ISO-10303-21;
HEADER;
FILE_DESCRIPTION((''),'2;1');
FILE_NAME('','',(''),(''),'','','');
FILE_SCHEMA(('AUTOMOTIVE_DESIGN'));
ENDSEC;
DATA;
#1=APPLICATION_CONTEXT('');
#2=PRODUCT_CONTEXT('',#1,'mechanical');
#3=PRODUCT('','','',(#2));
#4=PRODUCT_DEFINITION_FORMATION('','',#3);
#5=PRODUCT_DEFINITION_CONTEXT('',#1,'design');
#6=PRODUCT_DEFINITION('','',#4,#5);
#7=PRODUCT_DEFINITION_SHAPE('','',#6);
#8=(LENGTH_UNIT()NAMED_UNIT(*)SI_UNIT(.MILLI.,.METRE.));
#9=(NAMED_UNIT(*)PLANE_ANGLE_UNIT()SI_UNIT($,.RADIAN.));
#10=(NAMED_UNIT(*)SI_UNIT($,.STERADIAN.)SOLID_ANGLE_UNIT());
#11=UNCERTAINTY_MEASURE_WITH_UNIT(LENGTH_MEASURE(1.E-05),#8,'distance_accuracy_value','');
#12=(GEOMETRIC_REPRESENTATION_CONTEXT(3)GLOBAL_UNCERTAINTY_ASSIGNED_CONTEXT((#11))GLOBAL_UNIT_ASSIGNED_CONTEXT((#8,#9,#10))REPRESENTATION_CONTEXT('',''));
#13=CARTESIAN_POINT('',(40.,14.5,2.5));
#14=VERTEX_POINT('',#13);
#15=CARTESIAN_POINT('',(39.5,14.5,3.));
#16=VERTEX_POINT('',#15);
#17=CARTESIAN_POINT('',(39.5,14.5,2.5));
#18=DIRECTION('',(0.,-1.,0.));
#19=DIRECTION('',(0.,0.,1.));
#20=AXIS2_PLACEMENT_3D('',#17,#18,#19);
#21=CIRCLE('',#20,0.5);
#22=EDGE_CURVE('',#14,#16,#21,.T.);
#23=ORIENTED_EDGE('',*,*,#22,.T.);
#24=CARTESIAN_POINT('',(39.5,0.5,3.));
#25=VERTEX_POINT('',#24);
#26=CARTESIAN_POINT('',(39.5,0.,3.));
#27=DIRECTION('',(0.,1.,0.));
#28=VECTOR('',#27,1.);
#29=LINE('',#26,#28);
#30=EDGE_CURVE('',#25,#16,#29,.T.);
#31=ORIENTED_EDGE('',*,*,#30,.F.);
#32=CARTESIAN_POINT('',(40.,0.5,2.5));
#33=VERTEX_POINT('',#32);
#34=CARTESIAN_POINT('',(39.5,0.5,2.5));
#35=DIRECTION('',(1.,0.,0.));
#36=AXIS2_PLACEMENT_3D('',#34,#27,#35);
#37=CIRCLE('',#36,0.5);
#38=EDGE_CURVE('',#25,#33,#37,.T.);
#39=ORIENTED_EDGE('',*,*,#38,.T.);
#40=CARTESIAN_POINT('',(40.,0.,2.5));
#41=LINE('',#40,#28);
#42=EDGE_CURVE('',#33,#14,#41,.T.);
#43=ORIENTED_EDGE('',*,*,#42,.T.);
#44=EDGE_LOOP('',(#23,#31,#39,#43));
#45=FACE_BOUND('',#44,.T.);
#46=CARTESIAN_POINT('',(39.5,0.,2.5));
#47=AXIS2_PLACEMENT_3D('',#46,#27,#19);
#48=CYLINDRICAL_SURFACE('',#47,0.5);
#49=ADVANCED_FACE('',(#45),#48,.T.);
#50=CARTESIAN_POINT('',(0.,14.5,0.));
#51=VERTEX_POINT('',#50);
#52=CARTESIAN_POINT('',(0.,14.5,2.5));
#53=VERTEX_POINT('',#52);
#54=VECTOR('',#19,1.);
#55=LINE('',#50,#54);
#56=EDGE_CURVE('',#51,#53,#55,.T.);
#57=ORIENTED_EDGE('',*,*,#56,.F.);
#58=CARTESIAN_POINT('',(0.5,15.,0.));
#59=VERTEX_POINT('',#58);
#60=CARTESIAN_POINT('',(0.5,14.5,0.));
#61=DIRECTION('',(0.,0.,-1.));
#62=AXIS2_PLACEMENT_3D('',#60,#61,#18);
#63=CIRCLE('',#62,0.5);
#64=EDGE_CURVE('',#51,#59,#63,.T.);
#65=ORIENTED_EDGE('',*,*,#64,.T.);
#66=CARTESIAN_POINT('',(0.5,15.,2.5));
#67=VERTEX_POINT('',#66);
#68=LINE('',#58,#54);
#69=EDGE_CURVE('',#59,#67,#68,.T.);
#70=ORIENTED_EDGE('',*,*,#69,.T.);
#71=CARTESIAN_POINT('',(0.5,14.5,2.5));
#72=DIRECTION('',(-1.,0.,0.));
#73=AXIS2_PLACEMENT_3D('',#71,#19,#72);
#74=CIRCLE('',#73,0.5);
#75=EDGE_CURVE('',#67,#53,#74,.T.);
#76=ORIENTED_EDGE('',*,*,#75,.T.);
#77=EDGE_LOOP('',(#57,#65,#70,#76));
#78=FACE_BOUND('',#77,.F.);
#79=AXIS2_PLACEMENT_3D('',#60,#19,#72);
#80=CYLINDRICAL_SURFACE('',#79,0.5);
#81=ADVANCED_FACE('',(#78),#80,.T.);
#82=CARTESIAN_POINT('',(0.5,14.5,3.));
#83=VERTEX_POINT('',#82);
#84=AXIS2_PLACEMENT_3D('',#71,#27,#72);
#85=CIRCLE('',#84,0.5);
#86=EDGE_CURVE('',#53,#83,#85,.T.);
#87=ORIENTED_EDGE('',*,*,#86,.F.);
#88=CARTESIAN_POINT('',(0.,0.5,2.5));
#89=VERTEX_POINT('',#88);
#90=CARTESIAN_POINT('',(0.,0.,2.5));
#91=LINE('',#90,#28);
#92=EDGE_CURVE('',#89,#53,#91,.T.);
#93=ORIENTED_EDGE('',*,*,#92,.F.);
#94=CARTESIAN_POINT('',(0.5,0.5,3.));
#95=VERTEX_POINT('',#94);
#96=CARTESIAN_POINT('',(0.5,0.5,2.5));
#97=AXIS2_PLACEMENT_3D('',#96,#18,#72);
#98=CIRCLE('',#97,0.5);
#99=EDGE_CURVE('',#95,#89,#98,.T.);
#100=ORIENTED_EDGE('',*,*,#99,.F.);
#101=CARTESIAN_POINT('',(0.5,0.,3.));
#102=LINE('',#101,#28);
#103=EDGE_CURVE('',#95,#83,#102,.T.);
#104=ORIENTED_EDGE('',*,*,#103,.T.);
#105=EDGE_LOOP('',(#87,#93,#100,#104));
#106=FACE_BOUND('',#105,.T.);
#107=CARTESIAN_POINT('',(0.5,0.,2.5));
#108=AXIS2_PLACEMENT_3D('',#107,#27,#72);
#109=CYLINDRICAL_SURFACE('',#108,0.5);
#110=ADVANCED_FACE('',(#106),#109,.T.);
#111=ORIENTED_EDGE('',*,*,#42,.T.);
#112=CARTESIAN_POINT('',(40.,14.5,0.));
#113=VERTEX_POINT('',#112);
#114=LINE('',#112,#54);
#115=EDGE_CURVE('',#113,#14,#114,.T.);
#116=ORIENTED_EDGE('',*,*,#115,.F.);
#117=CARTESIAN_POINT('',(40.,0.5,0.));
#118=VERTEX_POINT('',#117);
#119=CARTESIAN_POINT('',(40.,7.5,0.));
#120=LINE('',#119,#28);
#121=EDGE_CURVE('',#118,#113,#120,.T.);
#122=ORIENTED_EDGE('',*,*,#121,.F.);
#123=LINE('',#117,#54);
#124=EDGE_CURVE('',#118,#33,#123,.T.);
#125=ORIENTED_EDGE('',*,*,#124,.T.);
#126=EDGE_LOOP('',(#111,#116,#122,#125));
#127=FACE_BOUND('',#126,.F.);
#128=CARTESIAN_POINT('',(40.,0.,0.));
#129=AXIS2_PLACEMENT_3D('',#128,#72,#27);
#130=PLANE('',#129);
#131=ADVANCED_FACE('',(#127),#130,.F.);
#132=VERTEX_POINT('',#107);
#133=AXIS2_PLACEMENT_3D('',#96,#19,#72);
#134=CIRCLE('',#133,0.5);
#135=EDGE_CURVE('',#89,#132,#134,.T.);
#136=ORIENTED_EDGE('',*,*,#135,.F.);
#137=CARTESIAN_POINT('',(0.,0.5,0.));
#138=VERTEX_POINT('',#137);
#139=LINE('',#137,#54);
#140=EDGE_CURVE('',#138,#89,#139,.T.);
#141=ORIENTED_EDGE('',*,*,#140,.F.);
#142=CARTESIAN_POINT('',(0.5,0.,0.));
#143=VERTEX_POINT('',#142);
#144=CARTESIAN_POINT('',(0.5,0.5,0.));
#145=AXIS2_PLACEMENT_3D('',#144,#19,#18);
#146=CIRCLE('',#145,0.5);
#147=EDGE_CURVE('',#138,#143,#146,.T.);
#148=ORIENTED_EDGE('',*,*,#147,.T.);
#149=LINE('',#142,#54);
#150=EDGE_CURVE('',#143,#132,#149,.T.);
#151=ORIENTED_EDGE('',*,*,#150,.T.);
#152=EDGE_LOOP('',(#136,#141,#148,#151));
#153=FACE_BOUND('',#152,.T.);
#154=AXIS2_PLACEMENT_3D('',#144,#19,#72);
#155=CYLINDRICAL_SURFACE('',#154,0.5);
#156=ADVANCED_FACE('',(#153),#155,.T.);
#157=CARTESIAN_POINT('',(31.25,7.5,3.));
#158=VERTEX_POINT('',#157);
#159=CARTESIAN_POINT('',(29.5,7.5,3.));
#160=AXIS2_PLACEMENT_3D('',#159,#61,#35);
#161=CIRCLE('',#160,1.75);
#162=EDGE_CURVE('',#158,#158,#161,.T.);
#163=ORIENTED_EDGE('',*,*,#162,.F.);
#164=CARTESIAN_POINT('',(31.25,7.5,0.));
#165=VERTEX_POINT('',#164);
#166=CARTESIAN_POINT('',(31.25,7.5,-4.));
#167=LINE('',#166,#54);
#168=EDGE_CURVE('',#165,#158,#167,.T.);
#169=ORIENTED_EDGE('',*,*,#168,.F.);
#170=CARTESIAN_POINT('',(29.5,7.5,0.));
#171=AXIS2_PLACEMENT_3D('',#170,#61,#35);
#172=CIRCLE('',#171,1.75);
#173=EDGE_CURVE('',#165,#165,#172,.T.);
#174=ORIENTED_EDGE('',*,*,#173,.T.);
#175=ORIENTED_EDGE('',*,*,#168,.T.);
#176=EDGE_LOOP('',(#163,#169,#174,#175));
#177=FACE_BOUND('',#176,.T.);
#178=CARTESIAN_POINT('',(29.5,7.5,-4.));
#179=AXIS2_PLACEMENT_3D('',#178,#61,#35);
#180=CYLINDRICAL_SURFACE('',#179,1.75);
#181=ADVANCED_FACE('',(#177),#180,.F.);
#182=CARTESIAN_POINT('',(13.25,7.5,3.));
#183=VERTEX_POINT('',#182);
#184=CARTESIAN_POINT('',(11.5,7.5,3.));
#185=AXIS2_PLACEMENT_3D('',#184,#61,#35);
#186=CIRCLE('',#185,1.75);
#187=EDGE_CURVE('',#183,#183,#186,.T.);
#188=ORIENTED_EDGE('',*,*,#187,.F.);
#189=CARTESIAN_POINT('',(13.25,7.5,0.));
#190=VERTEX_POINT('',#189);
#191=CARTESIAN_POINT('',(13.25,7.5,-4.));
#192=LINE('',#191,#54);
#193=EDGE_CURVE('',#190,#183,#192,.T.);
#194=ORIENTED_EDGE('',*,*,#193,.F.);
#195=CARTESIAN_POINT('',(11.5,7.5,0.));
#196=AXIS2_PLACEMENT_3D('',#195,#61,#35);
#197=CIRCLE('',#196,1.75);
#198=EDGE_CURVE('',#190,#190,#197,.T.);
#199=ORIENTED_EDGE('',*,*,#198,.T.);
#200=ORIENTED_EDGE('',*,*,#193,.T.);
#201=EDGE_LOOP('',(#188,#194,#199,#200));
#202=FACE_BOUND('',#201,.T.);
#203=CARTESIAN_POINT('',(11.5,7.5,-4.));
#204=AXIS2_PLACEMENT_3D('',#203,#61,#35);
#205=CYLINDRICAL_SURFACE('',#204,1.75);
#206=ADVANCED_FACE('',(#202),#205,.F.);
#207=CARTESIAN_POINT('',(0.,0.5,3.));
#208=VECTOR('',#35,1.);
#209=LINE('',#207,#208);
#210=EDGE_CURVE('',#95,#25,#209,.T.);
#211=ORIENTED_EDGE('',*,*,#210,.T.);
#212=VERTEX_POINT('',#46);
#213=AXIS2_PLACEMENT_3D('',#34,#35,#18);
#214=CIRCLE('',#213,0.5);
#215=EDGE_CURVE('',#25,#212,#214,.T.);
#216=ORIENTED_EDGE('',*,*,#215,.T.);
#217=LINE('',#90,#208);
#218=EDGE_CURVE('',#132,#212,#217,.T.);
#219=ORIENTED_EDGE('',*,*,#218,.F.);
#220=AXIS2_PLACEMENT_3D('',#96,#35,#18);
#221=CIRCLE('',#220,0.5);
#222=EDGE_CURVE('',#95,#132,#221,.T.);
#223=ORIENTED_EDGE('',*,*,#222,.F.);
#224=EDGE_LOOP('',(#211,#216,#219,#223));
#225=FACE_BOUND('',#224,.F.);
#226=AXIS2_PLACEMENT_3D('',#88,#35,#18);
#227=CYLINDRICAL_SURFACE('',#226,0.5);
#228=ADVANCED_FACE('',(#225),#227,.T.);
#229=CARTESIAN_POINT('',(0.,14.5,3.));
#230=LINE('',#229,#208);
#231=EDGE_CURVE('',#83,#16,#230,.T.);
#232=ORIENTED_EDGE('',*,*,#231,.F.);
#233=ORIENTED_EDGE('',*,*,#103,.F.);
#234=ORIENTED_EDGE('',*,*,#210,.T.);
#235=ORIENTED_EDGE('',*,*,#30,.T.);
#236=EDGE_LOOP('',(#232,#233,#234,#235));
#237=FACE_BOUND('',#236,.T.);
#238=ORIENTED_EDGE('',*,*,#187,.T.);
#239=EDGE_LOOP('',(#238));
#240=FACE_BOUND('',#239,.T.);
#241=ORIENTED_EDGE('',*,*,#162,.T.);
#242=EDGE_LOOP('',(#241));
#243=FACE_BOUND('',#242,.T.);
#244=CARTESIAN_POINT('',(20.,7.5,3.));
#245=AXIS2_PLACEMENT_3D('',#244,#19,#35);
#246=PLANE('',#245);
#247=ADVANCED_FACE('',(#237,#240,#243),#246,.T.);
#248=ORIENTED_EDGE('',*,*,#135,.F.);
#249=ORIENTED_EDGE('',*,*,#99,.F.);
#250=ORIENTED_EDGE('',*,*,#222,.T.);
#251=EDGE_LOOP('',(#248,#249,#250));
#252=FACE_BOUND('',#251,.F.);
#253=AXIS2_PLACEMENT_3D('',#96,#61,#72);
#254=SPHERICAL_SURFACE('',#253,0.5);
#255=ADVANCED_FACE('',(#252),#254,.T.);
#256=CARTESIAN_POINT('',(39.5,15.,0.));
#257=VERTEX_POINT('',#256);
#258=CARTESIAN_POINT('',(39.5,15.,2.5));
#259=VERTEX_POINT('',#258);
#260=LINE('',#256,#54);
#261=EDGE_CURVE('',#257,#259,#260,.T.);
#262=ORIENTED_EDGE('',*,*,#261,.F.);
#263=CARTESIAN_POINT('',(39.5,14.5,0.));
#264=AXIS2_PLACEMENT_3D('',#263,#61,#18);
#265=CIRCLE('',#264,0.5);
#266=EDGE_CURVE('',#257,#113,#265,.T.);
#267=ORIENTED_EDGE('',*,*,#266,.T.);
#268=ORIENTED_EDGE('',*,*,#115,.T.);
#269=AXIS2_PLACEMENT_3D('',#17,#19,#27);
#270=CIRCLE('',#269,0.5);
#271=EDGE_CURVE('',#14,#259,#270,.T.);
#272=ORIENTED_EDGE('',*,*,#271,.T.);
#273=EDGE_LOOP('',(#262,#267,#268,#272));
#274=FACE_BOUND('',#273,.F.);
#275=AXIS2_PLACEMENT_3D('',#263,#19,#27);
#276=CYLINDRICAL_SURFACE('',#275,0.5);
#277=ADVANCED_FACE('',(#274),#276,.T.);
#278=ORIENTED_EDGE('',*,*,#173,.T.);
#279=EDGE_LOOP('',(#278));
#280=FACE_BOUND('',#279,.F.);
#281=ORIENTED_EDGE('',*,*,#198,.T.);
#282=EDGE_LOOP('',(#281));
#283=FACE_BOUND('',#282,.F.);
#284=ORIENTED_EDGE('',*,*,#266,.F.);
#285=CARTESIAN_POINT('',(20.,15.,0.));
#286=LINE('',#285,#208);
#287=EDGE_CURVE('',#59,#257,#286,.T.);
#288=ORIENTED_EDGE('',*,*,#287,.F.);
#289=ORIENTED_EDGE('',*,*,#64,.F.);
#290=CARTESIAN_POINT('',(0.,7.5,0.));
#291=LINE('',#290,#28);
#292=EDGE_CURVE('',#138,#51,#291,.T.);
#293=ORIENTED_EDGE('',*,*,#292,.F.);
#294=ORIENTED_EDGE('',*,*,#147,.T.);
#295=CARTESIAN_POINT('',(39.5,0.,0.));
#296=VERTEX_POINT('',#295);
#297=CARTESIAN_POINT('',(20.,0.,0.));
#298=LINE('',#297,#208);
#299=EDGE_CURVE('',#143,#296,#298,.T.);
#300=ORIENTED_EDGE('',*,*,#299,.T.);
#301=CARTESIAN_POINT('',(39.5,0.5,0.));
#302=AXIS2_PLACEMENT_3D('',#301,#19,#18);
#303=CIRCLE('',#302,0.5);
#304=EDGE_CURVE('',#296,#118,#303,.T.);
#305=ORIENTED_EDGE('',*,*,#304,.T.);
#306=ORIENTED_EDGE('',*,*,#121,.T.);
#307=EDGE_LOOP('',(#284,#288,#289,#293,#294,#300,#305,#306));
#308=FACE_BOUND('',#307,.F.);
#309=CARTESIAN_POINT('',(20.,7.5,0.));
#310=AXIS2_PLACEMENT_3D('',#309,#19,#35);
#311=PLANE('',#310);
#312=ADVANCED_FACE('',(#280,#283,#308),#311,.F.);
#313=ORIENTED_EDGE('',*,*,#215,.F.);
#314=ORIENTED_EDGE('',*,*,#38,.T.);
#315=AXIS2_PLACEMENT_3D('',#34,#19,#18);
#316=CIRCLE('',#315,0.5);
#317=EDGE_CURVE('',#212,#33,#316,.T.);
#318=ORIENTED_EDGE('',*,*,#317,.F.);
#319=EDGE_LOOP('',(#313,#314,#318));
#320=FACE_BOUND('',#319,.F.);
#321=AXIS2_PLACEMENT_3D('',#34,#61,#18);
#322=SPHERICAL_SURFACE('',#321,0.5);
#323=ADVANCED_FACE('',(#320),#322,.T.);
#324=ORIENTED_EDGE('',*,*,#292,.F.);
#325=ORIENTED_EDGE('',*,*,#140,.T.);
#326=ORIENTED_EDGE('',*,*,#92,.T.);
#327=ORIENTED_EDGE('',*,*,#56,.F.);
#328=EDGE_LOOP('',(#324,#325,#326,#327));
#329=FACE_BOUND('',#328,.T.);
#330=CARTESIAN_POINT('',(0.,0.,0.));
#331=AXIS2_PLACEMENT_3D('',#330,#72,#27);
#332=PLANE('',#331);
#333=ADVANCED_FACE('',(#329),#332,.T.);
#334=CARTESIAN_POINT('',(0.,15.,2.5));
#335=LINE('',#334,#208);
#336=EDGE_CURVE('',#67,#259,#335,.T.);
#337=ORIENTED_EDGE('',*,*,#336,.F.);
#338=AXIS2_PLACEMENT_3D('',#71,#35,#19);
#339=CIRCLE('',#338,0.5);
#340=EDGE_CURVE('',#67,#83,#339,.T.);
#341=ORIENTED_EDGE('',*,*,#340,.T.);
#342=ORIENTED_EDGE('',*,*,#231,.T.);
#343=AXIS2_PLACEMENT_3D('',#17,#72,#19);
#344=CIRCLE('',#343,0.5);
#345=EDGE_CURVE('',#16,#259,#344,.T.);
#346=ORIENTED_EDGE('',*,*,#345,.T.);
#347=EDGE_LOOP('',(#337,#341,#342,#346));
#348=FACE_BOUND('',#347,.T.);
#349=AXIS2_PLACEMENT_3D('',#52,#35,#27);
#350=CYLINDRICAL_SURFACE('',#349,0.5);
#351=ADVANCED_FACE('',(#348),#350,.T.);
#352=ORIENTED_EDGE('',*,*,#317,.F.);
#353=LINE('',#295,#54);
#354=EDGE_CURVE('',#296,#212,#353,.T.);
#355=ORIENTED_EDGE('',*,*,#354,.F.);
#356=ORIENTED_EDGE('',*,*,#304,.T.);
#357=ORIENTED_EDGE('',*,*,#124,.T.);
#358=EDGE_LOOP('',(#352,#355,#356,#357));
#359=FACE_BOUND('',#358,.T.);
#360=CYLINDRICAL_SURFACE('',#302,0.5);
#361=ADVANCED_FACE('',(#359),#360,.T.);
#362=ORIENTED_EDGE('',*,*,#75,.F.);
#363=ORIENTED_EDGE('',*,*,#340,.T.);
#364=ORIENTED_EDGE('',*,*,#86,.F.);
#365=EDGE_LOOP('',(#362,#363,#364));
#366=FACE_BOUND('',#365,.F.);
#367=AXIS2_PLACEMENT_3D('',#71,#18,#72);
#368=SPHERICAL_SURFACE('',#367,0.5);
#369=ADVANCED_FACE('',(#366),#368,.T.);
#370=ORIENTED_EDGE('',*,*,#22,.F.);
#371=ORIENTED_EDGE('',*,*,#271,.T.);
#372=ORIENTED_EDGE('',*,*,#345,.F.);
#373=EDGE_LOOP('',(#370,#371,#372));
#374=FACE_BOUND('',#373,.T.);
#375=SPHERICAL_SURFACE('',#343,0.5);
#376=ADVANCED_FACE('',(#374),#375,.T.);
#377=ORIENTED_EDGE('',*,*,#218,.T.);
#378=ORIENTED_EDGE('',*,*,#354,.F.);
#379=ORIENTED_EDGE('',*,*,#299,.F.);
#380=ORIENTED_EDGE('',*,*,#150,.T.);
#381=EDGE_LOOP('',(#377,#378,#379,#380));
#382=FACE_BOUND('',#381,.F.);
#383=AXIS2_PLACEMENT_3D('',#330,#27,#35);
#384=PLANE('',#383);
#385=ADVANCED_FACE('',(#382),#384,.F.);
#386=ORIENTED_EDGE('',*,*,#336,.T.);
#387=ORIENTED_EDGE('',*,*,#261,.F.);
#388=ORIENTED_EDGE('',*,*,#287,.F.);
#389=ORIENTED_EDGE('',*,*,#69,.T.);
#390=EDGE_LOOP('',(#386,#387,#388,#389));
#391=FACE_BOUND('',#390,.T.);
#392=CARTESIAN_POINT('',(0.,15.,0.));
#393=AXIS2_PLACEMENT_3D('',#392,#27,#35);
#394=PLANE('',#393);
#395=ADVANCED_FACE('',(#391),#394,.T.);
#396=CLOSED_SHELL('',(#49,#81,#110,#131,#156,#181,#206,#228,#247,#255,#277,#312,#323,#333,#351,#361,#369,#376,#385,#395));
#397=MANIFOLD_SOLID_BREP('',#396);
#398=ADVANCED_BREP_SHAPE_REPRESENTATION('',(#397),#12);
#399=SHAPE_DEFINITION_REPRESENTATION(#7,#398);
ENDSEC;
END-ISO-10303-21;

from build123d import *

# Parameters (mm, degrees)
CYLINDER001_R     = 1.75
CYLINDER001_DEPTH = 10
CYLINDER_R        = 1.75
CYLINDER_DEPTH    = 10
BOX_W             = 40
BOX_H             = 15
BOX_DEPTH         = 3
FILLET001_R       = 0.5


with BuildPart() as cilindro001:
    # Cylinder001 → Cylinder001 (new body)
    with BuildSketch(Plane(origin=(29.5, 7.5, -4), x_dir=(1, 0, 0), z_dir=(0, 0, 1))):
        Circle(CYLINDER001_R)
    extrude(amount=CYLINDER001_DEPTH)


with BuildPart() as cilindro:
    # Cylinder → Cylinder (new body)
    with BuildSketch(Plane(origin=(11.5, 7.5, -4), x_dir=(1, 0, 0), z_dir=(0, 0, 1))):
        Circle(CYLINDER_R)
    extrude(amount=CYLINDER_DEPTH)


with BuildPart() as fillet001:
    # Box → Box (new body)
    with BuildSketch(Plane.XY):
        with Locations((20, 7.5)):
            Rectangle(BOX_W, BOX_H)
    extrude(amount=BOX_DEPTH)

    # Cut: cut Cilindro
    add(cilindro.part, mode=Mode.SUBTRACT)

    # Cut001: cut Cilindro001
    add(cilindro001.part, mode=Mode.SUBTRACT)

    # Fillet001
    fillet001_edges = [fillet001.edges().sort_by_distance(p)[0] for p in [
        (0, 0, 1.5),
        (0, 7.5, 3),
        (0, 15, 1.5),
        (40, 0, 1.5),
        (20, 0, 3),
        (20, 15, 3),
        (40, 7.5, 3),
        (40, 15, 1.5),
    ]]
    fillet(fillet001_edges, radius=FILLET001_R)


solid = fillet001.part
